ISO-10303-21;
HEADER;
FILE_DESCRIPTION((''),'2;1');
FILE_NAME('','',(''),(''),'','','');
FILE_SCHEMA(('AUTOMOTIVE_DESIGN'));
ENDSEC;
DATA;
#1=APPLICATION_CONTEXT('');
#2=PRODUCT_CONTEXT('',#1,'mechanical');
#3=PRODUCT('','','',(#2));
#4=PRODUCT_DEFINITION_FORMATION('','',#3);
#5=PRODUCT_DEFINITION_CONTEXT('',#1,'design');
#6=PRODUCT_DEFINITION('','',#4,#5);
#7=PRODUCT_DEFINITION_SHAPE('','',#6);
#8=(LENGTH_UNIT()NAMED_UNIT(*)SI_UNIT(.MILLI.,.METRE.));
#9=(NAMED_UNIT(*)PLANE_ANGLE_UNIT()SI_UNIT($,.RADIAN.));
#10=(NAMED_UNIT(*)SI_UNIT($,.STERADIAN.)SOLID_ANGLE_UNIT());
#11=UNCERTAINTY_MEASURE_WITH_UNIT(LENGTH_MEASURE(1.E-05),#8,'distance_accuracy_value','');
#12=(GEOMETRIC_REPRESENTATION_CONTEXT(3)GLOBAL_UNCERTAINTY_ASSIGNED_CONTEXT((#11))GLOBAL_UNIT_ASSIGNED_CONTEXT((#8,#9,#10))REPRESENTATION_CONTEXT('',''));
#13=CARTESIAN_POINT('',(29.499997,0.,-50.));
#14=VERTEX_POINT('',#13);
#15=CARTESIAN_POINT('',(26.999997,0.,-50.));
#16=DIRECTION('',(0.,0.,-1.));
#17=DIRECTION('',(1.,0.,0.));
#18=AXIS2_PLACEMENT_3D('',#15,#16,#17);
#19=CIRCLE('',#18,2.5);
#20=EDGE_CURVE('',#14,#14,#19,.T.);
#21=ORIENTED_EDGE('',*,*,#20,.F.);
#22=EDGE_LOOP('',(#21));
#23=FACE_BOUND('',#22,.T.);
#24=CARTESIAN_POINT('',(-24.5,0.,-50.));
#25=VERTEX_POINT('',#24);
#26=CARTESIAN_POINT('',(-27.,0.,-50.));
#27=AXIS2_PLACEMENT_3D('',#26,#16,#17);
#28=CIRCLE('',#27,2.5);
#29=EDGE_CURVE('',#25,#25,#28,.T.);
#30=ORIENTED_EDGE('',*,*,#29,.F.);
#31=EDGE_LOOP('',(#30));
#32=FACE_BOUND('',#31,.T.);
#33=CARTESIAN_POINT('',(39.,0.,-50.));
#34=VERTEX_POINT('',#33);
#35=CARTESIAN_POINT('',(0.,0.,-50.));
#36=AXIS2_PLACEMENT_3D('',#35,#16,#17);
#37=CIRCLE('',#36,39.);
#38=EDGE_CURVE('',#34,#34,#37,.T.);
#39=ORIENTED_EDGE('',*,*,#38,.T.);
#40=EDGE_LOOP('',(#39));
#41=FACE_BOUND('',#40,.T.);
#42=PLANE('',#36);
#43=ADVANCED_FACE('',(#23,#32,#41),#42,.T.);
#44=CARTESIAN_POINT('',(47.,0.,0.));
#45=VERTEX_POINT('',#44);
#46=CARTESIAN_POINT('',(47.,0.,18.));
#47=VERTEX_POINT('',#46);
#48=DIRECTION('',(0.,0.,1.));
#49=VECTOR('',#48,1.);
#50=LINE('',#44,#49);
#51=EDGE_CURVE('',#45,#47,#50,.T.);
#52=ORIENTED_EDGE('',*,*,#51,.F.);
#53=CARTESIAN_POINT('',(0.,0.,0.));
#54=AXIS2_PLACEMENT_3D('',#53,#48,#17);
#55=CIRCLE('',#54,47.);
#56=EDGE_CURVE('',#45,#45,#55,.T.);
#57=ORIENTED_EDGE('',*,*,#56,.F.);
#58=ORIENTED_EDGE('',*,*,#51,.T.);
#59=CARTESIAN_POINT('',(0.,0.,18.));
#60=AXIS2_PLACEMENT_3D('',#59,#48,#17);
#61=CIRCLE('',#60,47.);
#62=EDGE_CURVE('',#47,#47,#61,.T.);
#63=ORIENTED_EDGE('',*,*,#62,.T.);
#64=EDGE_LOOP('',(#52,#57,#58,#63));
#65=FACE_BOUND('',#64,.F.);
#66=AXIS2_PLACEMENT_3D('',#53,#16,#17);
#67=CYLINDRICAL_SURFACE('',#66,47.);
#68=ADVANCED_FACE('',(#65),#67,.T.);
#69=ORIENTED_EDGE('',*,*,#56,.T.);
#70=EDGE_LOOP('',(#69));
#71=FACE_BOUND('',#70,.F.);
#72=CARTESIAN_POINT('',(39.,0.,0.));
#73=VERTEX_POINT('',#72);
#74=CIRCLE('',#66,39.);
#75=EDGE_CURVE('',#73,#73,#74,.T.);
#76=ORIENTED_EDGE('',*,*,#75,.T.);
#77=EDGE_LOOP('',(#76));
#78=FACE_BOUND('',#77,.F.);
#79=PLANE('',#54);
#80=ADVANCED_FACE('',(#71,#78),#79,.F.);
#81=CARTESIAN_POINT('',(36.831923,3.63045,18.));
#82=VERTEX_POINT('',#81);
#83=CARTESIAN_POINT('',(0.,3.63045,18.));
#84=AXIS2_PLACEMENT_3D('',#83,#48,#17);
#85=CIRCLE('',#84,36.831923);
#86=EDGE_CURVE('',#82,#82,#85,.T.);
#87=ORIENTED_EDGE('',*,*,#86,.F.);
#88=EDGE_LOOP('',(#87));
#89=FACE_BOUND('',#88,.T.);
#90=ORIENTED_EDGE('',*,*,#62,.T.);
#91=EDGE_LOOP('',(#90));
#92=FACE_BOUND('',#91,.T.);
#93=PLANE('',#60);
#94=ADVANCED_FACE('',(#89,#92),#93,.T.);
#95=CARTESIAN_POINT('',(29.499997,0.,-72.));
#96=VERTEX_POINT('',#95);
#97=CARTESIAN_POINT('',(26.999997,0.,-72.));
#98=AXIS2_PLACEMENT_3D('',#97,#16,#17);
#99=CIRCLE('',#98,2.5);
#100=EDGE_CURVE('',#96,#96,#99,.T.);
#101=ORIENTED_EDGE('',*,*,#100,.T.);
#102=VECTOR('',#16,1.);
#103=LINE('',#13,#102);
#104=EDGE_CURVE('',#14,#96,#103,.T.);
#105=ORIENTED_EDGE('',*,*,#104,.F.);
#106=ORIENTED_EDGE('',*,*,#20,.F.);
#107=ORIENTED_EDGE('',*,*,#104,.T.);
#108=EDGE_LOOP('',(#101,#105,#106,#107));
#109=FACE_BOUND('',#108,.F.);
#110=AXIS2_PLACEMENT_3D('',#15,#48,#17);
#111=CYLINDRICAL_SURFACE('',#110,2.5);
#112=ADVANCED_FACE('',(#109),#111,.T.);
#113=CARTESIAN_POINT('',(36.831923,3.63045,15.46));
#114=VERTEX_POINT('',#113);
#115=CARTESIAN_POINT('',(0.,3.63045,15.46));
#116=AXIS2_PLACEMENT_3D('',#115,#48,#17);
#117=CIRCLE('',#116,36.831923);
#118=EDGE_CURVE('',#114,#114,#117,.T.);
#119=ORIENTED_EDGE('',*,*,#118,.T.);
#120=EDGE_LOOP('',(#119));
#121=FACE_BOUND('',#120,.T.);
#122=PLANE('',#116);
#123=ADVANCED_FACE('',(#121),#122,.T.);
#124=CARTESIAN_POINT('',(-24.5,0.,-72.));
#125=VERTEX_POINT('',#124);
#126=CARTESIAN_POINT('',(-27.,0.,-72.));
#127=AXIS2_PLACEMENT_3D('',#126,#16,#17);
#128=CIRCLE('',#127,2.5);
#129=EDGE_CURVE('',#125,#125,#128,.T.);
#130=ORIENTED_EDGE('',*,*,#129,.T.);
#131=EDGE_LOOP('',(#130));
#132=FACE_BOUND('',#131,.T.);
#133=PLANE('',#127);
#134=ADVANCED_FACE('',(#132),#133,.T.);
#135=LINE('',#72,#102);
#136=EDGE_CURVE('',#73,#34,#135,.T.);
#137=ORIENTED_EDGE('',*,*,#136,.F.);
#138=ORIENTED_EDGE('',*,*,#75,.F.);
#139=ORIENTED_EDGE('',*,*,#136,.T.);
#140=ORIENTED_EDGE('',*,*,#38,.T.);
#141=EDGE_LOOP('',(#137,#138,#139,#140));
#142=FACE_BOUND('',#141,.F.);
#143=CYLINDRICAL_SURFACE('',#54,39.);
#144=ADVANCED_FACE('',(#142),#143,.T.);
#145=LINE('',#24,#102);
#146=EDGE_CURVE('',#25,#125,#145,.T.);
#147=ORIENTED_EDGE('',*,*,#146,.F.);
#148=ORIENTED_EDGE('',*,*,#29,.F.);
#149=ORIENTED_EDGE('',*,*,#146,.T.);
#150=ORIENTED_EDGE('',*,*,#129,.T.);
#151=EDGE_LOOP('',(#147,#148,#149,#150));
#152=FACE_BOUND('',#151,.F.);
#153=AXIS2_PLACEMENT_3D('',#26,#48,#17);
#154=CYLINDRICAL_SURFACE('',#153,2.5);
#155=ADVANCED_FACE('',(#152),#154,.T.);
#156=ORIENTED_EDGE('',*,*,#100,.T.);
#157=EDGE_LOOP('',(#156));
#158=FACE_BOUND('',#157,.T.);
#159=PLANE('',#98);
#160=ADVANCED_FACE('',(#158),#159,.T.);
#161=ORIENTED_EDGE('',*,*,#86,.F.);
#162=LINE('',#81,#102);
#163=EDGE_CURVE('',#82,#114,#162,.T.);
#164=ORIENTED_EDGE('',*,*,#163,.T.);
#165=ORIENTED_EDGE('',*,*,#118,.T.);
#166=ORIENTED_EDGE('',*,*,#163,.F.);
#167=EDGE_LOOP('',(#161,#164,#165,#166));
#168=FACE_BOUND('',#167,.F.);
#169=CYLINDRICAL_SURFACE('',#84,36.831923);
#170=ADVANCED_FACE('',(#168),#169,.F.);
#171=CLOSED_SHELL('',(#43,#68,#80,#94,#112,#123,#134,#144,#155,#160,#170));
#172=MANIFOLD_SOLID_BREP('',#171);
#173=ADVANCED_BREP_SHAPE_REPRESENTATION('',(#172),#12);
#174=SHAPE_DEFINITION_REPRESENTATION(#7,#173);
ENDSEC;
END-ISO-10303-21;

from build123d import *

# Parameters (mm, degrees)
F0_R     = 47
F1_DEPTH = 18
F2_R     = 39
F3_DEPTH = 50
F4_R     = 2.5
F5_DEPTH = 22
F6_R     = 36.831923
F7_DEPTH = 2.54


with BuildPart() as f1:
    # F0 (on Top) → F1 (new body)
    with BuildSketch(Plane.XY):
        Circle(F0_R)
    extrude(amount=F1_DEPTH)

    # F2 (on face) → F3 (join)
    with BuildSketch(Plane(origin=(0, 0, 0), x_dir=(1, 0, 0), z_dir=(0, 0, -1))):
        Circle(F2_R)
    extrude(amount=F3_DEPTH)

    # F4 (on face) → F5 (join)
    with BuildSketch(Plane(origin=(0, 0, -50), x_dir=(1, 0, 0), z_dir=(0, 0, -1))):
        with Locations((-27, 0)):
            Circle(F4_R)
        with Locations((26.999997, 0)):
            Circle(F4_R)
    extrude(amount=F5_DEPTH)

    # F6 (on face) → F7 (cut)
    with BuildSketch(Plane.XY.offset(18)):
        with Locations((0, 3.63045)):
            Circle(F6_R)
    extrude(amount=-F7_DEPTH, mode=Mode.SUBTRACT)


solid = f1.part
